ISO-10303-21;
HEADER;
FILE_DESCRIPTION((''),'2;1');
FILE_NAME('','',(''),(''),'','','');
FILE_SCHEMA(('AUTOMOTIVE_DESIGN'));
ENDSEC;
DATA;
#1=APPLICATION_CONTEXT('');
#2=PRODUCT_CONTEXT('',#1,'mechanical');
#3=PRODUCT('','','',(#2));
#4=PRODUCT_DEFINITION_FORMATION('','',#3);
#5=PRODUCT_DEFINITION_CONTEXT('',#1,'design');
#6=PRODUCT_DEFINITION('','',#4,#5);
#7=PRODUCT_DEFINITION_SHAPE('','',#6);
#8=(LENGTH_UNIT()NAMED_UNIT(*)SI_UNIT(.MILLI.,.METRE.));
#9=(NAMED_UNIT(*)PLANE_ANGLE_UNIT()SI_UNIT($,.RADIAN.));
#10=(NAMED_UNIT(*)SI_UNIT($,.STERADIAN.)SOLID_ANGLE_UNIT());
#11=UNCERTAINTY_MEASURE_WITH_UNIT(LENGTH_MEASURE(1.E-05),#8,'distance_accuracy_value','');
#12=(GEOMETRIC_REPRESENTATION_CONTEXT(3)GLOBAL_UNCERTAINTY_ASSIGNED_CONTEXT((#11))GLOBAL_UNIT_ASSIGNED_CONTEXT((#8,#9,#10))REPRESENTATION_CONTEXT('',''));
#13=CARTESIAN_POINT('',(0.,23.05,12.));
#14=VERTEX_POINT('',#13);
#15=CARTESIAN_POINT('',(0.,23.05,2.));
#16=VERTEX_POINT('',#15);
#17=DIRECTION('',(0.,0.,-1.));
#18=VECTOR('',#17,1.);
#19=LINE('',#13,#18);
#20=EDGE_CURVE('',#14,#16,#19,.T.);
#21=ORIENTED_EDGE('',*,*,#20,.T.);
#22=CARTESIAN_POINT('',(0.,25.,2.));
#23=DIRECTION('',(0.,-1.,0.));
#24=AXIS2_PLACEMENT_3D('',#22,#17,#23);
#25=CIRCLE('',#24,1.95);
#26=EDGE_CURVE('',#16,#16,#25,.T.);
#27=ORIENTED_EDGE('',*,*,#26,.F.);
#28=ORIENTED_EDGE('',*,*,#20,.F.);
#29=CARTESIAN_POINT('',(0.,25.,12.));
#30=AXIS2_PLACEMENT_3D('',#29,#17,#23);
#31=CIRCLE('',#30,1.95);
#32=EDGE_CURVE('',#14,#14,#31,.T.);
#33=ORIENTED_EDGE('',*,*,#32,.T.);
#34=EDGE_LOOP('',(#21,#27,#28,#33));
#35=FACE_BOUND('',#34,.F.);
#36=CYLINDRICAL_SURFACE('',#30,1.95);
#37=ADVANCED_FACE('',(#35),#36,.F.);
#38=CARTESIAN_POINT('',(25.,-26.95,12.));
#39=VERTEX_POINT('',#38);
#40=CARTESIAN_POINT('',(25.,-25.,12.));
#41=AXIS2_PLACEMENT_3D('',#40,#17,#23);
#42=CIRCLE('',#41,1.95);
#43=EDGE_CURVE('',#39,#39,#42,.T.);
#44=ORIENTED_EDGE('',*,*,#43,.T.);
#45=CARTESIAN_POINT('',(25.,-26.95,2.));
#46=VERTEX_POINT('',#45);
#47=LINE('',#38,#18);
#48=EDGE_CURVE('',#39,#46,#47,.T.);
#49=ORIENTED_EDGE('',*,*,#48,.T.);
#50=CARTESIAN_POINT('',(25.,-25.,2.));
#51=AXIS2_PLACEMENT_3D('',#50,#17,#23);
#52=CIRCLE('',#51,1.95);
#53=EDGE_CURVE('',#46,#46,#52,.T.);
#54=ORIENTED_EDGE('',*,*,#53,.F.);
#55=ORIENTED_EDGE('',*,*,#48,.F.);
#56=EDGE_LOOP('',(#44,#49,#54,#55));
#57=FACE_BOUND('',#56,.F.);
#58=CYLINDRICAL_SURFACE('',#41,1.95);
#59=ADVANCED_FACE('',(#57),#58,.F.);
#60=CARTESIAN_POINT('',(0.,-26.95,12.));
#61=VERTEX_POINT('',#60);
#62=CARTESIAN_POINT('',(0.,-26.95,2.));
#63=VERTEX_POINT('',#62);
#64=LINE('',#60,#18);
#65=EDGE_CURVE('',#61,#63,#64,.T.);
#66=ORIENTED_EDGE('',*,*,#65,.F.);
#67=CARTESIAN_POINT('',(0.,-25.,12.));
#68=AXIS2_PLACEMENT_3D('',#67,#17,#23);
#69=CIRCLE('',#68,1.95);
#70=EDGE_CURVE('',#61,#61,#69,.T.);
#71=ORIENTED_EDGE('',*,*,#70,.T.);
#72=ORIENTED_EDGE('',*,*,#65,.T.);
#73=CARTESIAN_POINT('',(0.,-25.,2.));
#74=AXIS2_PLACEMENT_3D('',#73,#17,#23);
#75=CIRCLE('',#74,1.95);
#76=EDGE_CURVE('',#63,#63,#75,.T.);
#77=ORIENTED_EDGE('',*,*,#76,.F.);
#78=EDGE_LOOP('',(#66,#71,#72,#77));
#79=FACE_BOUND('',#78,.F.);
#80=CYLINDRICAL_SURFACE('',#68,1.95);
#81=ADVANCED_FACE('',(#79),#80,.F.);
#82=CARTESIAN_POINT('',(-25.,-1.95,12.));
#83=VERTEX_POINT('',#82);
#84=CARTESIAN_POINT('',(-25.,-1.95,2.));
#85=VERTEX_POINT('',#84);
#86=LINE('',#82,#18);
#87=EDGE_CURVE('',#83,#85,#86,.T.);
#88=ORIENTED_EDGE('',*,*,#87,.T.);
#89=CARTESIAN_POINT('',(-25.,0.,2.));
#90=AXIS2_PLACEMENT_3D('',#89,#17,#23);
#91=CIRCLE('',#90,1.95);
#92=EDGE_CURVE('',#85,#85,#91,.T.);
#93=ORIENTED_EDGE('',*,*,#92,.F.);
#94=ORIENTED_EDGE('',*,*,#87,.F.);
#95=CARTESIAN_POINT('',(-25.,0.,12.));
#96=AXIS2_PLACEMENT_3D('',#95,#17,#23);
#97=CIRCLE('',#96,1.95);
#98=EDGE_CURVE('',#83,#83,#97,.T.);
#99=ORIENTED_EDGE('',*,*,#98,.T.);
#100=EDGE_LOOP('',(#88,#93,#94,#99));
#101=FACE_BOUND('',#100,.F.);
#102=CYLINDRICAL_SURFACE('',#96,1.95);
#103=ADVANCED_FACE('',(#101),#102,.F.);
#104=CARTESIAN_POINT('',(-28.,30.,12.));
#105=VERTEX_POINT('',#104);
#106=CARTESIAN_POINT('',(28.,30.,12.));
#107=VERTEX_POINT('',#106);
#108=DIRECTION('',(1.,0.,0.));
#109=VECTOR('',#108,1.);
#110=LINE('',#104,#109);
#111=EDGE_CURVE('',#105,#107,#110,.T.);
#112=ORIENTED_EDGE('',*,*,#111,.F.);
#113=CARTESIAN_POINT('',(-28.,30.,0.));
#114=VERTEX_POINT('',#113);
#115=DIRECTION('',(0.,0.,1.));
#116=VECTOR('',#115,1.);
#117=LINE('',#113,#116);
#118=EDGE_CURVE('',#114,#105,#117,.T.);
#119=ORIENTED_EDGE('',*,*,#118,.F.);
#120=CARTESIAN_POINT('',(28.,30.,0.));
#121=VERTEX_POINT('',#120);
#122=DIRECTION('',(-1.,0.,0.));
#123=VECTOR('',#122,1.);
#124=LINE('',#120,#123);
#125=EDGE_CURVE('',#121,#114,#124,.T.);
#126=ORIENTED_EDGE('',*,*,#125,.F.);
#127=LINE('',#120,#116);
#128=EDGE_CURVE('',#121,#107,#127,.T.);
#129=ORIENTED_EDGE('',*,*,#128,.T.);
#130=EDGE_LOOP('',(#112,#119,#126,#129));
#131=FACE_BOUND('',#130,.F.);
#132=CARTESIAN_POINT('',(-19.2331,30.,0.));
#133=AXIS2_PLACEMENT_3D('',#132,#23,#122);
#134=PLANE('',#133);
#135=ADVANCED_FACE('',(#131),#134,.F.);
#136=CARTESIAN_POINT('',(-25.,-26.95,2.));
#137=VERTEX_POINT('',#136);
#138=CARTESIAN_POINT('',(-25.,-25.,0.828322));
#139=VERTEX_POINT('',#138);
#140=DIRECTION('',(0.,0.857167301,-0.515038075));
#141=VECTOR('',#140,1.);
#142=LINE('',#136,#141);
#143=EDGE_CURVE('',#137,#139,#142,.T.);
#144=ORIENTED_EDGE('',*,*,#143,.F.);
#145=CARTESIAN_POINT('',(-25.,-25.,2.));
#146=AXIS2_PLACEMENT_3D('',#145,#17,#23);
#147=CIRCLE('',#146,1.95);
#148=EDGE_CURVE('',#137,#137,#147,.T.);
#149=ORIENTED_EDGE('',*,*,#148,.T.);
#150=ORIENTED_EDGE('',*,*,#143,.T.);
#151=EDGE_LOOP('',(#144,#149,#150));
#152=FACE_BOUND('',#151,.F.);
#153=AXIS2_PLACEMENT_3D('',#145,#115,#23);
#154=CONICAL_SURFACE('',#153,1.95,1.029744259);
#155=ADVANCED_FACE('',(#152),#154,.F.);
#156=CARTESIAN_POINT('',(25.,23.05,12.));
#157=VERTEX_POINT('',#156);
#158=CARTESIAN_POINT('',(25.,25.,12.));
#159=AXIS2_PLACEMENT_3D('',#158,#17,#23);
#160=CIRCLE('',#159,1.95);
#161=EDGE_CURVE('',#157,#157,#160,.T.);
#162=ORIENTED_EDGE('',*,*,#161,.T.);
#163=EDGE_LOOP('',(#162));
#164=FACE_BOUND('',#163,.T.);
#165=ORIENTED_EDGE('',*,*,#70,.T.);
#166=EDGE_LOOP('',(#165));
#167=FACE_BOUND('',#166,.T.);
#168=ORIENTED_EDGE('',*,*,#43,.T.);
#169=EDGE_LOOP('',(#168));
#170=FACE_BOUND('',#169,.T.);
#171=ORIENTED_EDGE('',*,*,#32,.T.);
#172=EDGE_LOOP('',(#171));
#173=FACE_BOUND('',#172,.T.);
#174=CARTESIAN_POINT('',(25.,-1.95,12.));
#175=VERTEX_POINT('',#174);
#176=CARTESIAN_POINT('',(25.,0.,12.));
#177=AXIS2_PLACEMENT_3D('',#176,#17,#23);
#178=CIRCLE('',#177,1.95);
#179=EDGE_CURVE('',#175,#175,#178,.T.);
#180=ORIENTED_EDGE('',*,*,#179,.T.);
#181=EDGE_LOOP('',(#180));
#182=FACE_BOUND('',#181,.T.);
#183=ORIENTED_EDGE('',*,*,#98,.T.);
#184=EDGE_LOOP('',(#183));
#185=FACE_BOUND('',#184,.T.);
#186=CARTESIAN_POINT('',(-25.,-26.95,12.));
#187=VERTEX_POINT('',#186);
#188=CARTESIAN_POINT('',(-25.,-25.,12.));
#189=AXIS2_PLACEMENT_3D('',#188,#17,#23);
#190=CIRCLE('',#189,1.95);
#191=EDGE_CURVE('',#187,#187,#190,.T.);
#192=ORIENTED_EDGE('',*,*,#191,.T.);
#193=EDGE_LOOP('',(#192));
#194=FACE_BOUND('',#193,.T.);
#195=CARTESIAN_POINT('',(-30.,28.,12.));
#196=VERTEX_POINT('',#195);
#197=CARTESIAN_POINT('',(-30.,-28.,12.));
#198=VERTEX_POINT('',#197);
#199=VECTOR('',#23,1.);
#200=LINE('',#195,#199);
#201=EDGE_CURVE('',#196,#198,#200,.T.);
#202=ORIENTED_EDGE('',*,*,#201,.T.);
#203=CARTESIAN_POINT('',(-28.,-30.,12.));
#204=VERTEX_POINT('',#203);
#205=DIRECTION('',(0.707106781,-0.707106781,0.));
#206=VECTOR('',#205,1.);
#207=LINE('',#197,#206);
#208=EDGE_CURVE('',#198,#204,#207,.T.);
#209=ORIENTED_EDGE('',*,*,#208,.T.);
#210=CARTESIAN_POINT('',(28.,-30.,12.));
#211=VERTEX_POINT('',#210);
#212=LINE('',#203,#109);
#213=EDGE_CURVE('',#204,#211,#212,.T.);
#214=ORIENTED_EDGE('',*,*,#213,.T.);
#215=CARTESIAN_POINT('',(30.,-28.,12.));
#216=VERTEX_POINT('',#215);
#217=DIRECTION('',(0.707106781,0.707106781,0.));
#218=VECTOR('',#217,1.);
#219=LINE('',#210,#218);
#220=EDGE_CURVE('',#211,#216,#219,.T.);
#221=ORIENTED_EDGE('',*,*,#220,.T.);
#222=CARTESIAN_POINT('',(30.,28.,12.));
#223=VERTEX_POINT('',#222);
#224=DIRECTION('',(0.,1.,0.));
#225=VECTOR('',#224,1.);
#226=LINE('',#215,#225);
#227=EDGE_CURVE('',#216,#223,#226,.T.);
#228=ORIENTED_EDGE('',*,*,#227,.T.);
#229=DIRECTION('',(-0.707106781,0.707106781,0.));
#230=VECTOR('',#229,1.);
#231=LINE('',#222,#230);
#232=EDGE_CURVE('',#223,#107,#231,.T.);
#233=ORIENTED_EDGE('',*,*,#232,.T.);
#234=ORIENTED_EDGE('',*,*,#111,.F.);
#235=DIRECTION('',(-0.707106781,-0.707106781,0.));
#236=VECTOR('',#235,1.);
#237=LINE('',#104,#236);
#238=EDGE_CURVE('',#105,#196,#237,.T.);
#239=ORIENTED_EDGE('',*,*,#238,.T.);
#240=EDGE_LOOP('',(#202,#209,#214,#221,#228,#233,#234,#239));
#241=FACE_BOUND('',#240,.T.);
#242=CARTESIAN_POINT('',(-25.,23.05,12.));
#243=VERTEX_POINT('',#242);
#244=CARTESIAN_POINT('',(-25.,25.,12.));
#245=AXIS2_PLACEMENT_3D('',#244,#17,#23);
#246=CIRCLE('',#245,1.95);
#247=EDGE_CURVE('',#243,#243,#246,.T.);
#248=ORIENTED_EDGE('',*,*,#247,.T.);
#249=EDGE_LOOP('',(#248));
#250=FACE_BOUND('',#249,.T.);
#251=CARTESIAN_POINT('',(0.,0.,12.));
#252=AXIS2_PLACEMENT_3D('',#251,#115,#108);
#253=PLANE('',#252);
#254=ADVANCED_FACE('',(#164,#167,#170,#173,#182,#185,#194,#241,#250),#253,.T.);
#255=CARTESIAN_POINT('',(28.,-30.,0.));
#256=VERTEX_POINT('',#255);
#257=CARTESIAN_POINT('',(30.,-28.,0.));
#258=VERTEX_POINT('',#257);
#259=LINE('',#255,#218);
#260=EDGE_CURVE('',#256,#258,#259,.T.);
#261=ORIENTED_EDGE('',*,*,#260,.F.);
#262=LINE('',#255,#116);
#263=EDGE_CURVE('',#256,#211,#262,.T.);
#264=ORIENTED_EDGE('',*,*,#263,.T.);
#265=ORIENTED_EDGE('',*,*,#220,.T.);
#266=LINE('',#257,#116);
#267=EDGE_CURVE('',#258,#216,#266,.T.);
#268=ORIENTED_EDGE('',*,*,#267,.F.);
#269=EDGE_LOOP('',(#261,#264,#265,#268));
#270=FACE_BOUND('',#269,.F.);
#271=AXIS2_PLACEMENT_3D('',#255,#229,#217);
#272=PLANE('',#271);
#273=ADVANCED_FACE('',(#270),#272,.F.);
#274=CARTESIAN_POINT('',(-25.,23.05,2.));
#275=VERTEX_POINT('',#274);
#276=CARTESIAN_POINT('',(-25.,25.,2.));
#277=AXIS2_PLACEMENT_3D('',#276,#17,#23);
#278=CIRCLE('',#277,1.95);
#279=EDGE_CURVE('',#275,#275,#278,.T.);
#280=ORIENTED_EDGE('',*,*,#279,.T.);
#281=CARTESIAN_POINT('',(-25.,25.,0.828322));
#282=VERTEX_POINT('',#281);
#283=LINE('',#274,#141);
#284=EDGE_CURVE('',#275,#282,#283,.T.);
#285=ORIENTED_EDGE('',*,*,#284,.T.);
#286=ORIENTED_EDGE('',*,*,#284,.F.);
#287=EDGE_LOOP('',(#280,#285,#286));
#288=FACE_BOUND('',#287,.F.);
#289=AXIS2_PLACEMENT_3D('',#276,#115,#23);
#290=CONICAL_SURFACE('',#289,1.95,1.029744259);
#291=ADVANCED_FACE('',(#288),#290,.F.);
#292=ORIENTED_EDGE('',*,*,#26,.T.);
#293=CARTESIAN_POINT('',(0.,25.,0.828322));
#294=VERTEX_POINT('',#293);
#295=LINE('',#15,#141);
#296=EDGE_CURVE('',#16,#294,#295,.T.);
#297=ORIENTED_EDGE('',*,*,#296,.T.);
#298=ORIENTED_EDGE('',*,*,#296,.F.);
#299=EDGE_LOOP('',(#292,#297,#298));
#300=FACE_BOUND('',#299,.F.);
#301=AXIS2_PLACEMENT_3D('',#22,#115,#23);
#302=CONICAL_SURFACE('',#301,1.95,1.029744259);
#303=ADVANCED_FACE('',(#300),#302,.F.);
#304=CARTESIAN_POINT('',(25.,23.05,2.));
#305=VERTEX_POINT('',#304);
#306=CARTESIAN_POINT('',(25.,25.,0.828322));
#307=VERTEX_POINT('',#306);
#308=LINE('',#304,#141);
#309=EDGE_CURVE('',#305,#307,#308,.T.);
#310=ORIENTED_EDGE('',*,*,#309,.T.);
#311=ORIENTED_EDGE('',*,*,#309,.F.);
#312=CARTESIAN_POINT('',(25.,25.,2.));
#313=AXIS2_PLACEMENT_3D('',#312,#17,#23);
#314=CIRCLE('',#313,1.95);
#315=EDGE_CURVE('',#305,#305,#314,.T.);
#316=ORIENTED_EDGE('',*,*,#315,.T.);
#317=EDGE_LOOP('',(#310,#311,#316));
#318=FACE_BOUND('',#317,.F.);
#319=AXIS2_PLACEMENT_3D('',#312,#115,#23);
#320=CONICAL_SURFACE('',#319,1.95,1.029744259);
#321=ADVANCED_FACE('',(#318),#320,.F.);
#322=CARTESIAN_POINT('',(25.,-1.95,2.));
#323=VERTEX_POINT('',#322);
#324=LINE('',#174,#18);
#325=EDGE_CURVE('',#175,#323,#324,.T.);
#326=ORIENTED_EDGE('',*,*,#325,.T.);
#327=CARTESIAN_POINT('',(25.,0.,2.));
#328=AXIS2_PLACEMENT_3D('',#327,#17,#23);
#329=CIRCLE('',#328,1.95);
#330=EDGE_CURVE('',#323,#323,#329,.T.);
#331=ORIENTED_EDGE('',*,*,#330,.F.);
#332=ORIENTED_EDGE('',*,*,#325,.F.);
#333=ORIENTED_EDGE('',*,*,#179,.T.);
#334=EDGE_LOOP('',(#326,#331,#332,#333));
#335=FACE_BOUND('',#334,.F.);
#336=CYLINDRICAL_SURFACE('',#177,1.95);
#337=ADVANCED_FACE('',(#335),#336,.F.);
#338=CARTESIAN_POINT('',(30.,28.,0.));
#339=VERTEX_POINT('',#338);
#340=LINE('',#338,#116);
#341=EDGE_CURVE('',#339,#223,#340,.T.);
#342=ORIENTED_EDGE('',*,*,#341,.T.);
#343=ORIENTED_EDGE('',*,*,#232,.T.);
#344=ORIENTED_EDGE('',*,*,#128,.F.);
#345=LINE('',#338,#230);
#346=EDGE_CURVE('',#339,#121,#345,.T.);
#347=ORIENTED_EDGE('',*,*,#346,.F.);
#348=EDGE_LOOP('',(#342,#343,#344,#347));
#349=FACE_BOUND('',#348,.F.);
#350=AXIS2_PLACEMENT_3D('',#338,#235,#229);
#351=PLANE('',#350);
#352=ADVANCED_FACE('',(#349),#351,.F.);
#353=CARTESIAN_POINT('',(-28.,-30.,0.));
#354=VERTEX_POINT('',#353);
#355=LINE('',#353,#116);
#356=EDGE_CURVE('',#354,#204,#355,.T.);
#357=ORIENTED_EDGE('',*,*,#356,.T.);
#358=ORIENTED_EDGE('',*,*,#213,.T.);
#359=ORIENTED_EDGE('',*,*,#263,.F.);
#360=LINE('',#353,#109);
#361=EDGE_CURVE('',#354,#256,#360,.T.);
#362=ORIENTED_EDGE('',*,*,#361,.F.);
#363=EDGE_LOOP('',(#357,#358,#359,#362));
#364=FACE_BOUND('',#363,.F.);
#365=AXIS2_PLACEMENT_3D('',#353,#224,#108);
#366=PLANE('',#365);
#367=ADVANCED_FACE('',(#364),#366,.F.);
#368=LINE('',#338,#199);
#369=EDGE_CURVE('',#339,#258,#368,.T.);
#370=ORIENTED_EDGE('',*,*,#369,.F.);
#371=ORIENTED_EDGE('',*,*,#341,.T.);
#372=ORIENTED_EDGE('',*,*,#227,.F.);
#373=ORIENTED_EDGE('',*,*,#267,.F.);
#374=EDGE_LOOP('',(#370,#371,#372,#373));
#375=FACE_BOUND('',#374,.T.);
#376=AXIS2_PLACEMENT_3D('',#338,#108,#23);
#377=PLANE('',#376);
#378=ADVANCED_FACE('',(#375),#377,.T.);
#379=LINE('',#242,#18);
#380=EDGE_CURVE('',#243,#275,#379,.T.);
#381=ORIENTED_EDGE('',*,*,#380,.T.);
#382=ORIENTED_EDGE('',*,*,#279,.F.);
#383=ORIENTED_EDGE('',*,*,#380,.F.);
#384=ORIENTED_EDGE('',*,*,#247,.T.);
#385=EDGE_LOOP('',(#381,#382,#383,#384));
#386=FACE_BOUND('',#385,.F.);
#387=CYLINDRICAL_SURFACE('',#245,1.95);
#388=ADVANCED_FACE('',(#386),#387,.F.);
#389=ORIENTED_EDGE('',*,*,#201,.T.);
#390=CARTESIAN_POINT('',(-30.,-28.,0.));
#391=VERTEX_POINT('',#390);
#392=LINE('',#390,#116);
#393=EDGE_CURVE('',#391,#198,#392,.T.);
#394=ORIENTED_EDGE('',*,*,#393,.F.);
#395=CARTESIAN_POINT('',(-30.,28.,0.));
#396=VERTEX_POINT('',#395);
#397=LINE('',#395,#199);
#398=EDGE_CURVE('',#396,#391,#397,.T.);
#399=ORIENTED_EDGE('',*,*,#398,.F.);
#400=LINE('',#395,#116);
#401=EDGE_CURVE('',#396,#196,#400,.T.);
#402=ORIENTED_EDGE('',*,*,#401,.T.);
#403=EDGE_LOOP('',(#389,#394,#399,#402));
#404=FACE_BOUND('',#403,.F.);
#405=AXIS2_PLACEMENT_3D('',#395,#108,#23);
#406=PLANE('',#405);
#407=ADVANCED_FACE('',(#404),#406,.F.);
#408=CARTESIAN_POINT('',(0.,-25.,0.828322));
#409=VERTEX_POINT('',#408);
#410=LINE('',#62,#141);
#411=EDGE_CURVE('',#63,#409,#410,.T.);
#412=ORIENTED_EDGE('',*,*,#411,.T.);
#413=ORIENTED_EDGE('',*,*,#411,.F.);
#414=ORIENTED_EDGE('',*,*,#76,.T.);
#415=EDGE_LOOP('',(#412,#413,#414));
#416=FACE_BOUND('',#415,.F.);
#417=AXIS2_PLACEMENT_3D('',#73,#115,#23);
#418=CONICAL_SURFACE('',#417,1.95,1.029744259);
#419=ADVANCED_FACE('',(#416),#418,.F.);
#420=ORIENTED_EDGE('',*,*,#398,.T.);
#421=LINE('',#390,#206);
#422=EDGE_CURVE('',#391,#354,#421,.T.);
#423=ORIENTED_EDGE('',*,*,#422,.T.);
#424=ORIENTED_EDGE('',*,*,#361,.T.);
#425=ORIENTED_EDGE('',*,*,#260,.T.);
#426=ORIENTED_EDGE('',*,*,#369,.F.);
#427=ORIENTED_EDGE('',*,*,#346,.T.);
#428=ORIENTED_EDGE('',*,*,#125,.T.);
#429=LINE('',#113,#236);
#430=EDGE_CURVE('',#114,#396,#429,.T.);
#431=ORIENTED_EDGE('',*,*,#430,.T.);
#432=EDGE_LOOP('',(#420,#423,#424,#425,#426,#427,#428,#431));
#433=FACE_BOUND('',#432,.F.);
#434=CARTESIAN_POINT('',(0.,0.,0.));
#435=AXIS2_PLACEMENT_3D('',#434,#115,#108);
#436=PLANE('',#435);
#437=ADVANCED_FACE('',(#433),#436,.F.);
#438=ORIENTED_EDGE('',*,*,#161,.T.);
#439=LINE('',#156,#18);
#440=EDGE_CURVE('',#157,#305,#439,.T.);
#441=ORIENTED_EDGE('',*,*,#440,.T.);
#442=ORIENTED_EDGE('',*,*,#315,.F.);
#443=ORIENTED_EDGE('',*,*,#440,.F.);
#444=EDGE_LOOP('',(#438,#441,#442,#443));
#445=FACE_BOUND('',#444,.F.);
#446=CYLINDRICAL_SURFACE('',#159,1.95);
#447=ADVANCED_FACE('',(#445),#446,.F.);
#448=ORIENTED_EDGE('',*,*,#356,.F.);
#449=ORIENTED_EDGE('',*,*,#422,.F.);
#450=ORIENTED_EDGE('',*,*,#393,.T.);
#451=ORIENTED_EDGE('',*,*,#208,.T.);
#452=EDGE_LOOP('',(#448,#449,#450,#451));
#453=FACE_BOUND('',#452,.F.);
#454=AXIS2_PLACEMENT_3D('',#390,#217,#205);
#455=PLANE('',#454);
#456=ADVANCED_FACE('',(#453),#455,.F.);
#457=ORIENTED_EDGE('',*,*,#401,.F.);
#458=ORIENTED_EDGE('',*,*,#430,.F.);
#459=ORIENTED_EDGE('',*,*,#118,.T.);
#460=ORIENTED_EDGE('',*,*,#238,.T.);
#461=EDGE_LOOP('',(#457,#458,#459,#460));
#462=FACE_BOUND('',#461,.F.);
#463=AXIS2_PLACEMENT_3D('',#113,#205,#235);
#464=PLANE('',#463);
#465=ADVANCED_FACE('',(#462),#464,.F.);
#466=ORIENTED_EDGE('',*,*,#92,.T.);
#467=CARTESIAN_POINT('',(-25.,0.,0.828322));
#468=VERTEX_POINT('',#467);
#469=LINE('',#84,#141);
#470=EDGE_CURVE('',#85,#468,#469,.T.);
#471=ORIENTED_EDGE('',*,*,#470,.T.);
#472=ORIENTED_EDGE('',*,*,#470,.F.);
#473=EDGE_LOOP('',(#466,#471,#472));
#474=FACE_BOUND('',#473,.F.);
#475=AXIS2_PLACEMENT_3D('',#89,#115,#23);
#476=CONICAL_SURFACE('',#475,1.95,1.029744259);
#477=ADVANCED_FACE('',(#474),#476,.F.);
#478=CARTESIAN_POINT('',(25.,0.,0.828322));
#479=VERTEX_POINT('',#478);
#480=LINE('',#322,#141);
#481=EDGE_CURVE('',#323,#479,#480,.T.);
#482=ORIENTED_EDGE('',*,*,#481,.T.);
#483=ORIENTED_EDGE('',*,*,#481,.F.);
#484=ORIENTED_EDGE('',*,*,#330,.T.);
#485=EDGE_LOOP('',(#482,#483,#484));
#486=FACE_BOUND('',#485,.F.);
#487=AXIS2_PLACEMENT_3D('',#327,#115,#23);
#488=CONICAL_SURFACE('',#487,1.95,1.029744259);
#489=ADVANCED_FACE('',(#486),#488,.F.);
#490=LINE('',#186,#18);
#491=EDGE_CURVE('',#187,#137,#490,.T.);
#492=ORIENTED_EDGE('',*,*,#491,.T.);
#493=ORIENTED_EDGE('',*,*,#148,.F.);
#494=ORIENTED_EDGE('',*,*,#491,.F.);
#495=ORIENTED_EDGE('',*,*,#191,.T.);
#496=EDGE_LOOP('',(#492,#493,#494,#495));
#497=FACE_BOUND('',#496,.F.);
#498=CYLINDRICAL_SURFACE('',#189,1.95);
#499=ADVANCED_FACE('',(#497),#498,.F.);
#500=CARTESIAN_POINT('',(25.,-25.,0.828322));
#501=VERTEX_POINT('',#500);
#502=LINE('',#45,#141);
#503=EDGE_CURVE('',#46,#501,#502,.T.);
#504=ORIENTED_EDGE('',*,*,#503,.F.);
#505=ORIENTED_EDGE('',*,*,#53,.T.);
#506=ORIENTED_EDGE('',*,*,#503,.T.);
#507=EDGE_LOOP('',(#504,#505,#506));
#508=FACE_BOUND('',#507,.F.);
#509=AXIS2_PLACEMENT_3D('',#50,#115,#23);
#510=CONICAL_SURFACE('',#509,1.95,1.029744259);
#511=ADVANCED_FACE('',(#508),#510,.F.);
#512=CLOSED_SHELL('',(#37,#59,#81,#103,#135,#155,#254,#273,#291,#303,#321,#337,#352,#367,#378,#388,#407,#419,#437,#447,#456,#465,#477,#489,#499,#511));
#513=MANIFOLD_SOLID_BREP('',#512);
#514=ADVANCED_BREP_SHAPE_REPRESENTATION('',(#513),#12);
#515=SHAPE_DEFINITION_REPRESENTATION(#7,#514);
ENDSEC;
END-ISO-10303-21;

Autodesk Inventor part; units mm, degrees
ref_plane "YZ Plane" through (0, 0, 0) normal (1, 0, 0) x (0, 1, 0)
ref_plane "XZ Plane" through (0, 0, 0) normal (0, 1, 0) x (-1, 0, 0)
ref_plane "XY Plane" through (0, 0, 0) normal (0, 0, 1) x (1, 0, 0)
ref_plane "Work Plane1" through (0, 0, 0) normal (0, 0, 1) x (1, 0, 0)
sketch "Sketch1" plane through (0, 0, 0) normal (0, 0, 1) x (1, 0, 0)
  line L0 (-28, 30) -> (-30, 28) projected
  line L1 (-30, 28) -> (-30, -28) projected
  line L2 (-30, -28) -> (-28, -30) projected
  line L3 (-28, -30) -> (28, -30) projected
  line L4 (28, -30) -> (30, -28) projected
  line L5 (30, -28) -> (30, -17.7934) projected
  line L6 (30, 28) -> (28, 30) projected
  line L7 (28, 30) -> (17.7934, 30) projected
  line L8 (-25, -25) -> (25, -25) construction
  line L9 (25, -25) -> (25, 25) construction
  line L10 (25, 25) -> (-25, 25) construction
  line L11 (-25, 25) -> (-25, -25) construction
  line L12 (-25, -25) -> (25, 25) construction
  line L13 (25, -25) -> (-25, 25) construction
  line L14 (30, -17.7934) -> (44, -17.7934) projected
  line L15 (44, -9.0511) -> (44, -17.7934) projected
  line L16 (30, -9.0511) -> (44, -9.0511) construction
  line L17 (30, -9.0511) -> (30, 8.3051) projected
  line L18 (30, 8.3051) -> (44, 8.3051) projected
  line L19 (44, 19.2331) -> (44, 8.3051) projected
  line L20 (30, 19.2331) -> (44, 19.2331) construction
  line L21 (30, 28) -> (30, -28) projected
  line L22 (17.7934, 30) -> (17.7934, 44) projected
  line L23 (9.0511, 44) -> (17.7934, 44) projected
  line L24 (9.0511, 30) -> (9.0511, 44) construction
  line L25 (-8.3051, 30) -> (-8.3051, 44) projected
  line L26 (-19.2331, 44) -> (-8.3051, 44) projected
  line L27 (-19.2331, 30) -> (-19.2331, 44) construction
  line L28 (-19.2331, 30) -> (-28, 30) projected
  line L29 (-28, 30) -> (28, 30) projected
  line L30 (25, 0) -> (-25, 0)
  line L31 (30, 19.2331) -> (30, 28) projected
  line L32 (9.0511, 30) -> (-8.3051, 30) projected
  point P0 (0, 0)
  dimension "d0" = 50
  dimension "d1" = 50
extrude "Extrusion1" add sketch "Sketch1" along normal blind 12
sketch "Sketch2" plane through (0, 0, 12) normal (0, 0, 1) x (1, 0, 0)
  line L0 (-25, -25) -> (25, -25)
  line L1 (25, -25) -> (25, 25)
  line L2 (25, 25) -> (-25, 25)
  line L3 (-25, 25) -> (-25, -25)
  line L4 (-25, -25) -> (25, 25) construction
  line L5 (25, -25) -> (-25, 25) construction
  point P0 (0, 0)
  point P1 (25, 0)
  point P2 (-25, 0)
  point P3 (0, 25)
  point P4 (0, -25)
  dimension "d4" = 50
  dimension "d5" = 50
hole "Hole1" at (25, 25, 12) at (25, -25, 12) at (-25, -25, 12) at (-25, 25, 12) at (-25, 0, 12) at (25, 0, 12) at (0, 25, 12) at (0, -25, 12) direction (0, 0, -1) diameter 3.9 depth 10 tip angle 118
properties part number "00_XY_stage-CHUO_SEIKI_LD-647-R1-Bottom"
